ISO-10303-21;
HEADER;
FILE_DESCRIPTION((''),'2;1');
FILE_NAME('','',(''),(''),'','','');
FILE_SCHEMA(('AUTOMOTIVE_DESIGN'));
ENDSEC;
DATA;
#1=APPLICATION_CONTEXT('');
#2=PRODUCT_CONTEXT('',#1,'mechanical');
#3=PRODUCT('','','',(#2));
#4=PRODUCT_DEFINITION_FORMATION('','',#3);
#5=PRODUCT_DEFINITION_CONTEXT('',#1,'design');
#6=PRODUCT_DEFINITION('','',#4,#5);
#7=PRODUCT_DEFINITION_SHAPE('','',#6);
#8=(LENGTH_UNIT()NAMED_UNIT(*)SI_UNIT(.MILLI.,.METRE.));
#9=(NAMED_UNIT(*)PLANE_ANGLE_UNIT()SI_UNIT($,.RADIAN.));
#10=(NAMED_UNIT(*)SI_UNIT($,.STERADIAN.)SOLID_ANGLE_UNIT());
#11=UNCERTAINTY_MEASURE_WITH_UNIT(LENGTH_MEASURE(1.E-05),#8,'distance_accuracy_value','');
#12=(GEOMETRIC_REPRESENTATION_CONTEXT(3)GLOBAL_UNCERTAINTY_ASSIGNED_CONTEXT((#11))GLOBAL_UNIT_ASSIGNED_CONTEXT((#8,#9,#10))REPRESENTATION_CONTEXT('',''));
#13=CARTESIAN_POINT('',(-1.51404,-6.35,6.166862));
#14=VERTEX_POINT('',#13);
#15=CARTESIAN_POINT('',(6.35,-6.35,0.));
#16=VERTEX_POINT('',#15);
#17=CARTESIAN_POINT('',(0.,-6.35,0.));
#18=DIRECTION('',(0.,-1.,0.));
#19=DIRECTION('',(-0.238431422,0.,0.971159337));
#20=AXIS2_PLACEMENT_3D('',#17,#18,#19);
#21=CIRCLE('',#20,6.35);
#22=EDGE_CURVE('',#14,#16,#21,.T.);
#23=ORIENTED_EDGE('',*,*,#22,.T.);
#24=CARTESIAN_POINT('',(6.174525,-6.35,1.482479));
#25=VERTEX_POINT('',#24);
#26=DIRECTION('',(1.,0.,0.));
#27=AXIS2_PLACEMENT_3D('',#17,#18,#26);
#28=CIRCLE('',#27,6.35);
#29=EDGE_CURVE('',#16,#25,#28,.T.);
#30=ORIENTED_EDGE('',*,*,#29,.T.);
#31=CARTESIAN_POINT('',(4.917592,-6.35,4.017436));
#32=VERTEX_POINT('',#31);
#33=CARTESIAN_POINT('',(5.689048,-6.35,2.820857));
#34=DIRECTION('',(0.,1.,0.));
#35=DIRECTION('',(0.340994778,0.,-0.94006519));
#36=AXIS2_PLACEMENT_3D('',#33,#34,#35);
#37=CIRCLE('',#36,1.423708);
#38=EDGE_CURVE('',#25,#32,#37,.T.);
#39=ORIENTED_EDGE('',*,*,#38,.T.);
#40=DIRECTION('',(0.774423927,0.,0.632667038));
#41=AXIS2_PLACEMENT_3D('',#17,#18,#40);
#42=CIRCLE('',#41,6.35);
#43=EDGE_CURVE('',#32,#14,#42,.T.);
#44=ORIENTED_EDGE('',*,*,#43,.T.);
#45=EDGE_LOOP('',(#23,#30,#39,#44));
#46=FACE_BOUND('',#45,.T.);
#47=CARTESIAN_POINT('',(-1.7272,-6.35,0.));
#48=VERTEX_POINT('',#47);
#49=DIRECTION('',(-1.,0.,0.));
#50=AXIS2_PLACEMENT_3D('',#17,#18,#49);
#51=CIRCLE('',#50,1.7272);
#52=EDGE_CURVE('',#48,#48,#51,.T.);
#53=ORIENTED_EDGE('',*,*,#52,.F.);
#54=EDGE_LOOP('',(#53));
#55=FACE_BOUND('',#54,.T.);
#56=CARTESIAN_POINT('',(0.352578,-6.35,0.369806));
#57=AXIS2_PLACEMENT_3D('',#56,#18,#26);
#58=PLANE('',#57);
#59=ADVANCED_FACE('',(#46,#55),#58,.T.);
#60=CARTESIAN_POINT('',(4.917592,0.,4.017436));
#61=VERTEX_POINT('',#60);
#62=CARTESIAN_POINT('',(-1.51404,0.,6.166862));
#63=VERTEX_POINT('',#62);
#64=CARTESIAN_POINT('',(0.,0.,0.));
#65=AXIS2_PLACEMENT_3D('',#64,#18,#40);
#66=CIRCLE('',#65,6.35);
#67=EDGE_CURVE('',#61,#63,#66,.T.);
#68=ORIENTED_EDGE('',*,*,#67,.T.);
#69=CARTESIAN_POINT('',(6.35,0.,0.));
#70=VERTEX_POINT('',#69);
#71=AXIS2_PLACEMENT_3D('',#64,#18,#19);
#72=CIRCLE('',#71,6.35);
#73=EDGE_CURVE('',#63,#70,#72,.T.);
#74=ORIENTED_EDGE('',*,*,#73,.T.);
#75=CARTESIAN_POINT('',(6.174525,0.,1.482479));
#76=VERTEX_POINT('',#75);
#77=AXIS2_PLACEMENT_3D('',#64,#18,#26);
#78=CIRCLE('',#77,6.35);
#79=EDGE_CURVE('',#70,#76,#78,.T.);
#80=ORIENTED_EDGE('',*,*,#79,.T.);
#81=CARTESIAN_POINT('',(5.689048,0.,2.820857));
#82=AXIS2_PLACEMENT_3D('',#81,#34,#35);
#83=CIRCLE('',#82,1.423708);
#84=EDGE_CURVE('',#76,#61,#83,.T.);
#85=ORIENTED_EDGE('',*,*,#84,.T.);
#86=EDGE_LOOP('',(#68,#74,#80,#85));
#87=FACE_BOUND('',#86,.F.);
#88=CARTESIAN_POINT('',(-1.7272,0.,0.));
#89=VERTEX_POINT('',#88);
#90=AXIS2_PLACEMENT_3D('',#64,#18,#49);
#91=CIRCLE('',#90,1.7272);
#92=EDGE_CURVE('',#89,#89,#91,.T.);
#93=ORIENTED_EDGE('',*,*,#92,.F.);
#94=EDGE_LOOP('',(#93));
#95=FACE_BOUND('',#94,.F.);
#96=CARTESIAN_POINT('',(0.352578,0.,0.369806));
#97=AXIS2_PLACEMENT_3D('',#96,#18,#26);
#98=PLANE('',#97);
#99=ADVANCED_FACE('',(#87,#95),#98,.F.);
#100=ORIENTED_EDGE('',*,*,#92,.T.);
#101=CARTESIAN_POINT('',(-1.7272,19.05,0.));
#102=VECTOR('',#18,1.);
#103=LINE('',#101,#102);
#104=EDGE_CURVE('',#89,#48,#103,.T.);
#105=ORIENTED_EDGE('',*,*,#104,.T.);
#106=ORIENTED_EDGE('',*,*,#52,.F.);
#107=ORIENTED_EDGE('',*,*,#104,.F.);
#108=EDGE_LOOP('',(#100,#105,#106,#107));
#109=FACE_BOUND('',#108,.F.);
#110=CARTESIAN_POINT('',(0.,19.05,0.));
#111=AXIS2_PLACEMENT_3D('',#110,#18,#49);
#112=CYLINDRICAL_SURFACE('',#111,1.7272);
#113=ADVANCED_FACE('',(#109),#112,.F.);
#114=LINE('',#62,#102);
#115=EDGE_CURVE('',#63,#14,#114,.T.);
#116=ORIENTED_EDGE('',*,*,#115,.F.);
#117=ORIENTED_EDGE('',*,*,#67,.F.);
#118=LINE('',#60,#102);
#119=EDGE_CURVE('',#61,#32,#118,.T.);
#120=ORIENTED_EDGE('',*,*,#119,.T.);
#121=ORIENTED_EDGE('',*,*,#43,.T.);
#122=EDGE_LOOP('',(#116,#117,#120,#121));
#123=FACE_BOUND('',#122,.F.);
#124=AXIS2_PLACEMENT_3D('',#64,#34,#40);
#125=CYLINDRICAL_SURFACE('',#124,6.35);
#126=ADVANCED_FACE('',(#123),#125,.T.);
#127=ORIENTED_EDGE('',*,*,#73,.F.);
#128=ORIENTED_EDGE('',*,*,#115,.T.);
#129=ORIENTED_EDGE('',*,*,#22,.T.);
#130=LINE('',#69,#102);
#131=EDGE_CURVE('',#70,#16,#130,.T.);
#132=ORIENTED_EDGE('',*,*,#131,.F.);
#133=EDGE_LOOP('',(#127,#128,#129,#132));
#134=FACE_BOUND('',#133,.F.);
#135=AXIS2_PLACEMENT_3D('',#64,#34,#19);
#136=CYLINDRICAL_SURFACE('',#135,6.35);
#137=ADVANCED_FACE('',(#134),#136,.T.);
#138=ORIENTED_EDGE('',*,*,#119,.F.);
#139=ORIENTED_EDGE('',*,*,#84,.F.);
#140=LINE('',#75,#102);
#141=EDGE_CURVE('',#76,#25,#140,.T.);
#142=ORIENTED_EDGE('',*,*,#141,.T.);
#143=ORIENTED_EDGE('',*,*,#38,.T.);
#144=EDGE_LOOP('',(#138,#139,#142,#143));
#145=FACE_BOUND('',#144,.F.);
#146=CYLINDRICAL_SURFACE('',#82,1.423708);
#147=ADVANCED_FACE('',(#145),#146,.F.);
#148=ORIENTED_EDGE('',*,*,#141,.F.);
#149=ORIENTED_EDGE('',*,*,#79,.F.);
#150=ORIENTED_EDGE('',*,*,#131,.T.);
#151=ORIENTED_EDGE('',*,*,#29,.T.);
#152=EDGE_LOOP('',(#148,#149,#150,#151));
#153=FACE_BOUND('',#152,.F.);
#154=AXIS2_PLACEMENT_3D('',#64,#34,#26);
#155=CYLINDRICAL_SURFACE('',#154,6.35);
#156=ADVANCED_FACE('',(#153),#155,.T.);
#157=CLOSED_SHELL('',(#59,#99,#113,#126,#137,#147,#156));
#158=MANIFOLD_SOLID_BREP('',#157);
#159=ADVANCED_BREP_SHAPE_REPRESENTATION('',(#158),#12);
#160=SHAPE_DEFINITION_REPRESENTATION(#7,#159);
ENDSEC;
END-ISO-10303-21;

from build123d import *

# Parameters (mm, degrees)
F1_DEPTH = 6.35
F2_D     = 3.4544


with BuildPart() as f1:
    # F0 (on Front) → F1 (new body)
    with BuildSketch(Plane.XZ):
        with BuildLine():
            ThreePointArc((4.9175919376, 4.0174356914), (2.012722134, 6.0225783192), (-1.5140395271, 6.1668617878))
            ThreePointArc((-1.5140395271, 6.1668617878), (-3.9184403149, -4.9968315459), (6.35, 0))
            ThreePointArc((6.35, 0), (6.3059786125, 0.746413919), (6.1745248068, 1.4824788061))
            ThreePointArc((6.1745248068, 1.4824788061), (4.4135292626, 2.1884040834), (4.9175919376, 4.0174356914))
        make_face()
    extrude(amount=F1_DEPTH)

    # F2 (through all)
    with Locations(Plane(origin=(0, 0, 0), x_dir=(1, 0, 0), z_dir=(0, 1, 0))):
        with Locations((0, 0)):
            Hole(F2_D / 2)


solid = f1.part
